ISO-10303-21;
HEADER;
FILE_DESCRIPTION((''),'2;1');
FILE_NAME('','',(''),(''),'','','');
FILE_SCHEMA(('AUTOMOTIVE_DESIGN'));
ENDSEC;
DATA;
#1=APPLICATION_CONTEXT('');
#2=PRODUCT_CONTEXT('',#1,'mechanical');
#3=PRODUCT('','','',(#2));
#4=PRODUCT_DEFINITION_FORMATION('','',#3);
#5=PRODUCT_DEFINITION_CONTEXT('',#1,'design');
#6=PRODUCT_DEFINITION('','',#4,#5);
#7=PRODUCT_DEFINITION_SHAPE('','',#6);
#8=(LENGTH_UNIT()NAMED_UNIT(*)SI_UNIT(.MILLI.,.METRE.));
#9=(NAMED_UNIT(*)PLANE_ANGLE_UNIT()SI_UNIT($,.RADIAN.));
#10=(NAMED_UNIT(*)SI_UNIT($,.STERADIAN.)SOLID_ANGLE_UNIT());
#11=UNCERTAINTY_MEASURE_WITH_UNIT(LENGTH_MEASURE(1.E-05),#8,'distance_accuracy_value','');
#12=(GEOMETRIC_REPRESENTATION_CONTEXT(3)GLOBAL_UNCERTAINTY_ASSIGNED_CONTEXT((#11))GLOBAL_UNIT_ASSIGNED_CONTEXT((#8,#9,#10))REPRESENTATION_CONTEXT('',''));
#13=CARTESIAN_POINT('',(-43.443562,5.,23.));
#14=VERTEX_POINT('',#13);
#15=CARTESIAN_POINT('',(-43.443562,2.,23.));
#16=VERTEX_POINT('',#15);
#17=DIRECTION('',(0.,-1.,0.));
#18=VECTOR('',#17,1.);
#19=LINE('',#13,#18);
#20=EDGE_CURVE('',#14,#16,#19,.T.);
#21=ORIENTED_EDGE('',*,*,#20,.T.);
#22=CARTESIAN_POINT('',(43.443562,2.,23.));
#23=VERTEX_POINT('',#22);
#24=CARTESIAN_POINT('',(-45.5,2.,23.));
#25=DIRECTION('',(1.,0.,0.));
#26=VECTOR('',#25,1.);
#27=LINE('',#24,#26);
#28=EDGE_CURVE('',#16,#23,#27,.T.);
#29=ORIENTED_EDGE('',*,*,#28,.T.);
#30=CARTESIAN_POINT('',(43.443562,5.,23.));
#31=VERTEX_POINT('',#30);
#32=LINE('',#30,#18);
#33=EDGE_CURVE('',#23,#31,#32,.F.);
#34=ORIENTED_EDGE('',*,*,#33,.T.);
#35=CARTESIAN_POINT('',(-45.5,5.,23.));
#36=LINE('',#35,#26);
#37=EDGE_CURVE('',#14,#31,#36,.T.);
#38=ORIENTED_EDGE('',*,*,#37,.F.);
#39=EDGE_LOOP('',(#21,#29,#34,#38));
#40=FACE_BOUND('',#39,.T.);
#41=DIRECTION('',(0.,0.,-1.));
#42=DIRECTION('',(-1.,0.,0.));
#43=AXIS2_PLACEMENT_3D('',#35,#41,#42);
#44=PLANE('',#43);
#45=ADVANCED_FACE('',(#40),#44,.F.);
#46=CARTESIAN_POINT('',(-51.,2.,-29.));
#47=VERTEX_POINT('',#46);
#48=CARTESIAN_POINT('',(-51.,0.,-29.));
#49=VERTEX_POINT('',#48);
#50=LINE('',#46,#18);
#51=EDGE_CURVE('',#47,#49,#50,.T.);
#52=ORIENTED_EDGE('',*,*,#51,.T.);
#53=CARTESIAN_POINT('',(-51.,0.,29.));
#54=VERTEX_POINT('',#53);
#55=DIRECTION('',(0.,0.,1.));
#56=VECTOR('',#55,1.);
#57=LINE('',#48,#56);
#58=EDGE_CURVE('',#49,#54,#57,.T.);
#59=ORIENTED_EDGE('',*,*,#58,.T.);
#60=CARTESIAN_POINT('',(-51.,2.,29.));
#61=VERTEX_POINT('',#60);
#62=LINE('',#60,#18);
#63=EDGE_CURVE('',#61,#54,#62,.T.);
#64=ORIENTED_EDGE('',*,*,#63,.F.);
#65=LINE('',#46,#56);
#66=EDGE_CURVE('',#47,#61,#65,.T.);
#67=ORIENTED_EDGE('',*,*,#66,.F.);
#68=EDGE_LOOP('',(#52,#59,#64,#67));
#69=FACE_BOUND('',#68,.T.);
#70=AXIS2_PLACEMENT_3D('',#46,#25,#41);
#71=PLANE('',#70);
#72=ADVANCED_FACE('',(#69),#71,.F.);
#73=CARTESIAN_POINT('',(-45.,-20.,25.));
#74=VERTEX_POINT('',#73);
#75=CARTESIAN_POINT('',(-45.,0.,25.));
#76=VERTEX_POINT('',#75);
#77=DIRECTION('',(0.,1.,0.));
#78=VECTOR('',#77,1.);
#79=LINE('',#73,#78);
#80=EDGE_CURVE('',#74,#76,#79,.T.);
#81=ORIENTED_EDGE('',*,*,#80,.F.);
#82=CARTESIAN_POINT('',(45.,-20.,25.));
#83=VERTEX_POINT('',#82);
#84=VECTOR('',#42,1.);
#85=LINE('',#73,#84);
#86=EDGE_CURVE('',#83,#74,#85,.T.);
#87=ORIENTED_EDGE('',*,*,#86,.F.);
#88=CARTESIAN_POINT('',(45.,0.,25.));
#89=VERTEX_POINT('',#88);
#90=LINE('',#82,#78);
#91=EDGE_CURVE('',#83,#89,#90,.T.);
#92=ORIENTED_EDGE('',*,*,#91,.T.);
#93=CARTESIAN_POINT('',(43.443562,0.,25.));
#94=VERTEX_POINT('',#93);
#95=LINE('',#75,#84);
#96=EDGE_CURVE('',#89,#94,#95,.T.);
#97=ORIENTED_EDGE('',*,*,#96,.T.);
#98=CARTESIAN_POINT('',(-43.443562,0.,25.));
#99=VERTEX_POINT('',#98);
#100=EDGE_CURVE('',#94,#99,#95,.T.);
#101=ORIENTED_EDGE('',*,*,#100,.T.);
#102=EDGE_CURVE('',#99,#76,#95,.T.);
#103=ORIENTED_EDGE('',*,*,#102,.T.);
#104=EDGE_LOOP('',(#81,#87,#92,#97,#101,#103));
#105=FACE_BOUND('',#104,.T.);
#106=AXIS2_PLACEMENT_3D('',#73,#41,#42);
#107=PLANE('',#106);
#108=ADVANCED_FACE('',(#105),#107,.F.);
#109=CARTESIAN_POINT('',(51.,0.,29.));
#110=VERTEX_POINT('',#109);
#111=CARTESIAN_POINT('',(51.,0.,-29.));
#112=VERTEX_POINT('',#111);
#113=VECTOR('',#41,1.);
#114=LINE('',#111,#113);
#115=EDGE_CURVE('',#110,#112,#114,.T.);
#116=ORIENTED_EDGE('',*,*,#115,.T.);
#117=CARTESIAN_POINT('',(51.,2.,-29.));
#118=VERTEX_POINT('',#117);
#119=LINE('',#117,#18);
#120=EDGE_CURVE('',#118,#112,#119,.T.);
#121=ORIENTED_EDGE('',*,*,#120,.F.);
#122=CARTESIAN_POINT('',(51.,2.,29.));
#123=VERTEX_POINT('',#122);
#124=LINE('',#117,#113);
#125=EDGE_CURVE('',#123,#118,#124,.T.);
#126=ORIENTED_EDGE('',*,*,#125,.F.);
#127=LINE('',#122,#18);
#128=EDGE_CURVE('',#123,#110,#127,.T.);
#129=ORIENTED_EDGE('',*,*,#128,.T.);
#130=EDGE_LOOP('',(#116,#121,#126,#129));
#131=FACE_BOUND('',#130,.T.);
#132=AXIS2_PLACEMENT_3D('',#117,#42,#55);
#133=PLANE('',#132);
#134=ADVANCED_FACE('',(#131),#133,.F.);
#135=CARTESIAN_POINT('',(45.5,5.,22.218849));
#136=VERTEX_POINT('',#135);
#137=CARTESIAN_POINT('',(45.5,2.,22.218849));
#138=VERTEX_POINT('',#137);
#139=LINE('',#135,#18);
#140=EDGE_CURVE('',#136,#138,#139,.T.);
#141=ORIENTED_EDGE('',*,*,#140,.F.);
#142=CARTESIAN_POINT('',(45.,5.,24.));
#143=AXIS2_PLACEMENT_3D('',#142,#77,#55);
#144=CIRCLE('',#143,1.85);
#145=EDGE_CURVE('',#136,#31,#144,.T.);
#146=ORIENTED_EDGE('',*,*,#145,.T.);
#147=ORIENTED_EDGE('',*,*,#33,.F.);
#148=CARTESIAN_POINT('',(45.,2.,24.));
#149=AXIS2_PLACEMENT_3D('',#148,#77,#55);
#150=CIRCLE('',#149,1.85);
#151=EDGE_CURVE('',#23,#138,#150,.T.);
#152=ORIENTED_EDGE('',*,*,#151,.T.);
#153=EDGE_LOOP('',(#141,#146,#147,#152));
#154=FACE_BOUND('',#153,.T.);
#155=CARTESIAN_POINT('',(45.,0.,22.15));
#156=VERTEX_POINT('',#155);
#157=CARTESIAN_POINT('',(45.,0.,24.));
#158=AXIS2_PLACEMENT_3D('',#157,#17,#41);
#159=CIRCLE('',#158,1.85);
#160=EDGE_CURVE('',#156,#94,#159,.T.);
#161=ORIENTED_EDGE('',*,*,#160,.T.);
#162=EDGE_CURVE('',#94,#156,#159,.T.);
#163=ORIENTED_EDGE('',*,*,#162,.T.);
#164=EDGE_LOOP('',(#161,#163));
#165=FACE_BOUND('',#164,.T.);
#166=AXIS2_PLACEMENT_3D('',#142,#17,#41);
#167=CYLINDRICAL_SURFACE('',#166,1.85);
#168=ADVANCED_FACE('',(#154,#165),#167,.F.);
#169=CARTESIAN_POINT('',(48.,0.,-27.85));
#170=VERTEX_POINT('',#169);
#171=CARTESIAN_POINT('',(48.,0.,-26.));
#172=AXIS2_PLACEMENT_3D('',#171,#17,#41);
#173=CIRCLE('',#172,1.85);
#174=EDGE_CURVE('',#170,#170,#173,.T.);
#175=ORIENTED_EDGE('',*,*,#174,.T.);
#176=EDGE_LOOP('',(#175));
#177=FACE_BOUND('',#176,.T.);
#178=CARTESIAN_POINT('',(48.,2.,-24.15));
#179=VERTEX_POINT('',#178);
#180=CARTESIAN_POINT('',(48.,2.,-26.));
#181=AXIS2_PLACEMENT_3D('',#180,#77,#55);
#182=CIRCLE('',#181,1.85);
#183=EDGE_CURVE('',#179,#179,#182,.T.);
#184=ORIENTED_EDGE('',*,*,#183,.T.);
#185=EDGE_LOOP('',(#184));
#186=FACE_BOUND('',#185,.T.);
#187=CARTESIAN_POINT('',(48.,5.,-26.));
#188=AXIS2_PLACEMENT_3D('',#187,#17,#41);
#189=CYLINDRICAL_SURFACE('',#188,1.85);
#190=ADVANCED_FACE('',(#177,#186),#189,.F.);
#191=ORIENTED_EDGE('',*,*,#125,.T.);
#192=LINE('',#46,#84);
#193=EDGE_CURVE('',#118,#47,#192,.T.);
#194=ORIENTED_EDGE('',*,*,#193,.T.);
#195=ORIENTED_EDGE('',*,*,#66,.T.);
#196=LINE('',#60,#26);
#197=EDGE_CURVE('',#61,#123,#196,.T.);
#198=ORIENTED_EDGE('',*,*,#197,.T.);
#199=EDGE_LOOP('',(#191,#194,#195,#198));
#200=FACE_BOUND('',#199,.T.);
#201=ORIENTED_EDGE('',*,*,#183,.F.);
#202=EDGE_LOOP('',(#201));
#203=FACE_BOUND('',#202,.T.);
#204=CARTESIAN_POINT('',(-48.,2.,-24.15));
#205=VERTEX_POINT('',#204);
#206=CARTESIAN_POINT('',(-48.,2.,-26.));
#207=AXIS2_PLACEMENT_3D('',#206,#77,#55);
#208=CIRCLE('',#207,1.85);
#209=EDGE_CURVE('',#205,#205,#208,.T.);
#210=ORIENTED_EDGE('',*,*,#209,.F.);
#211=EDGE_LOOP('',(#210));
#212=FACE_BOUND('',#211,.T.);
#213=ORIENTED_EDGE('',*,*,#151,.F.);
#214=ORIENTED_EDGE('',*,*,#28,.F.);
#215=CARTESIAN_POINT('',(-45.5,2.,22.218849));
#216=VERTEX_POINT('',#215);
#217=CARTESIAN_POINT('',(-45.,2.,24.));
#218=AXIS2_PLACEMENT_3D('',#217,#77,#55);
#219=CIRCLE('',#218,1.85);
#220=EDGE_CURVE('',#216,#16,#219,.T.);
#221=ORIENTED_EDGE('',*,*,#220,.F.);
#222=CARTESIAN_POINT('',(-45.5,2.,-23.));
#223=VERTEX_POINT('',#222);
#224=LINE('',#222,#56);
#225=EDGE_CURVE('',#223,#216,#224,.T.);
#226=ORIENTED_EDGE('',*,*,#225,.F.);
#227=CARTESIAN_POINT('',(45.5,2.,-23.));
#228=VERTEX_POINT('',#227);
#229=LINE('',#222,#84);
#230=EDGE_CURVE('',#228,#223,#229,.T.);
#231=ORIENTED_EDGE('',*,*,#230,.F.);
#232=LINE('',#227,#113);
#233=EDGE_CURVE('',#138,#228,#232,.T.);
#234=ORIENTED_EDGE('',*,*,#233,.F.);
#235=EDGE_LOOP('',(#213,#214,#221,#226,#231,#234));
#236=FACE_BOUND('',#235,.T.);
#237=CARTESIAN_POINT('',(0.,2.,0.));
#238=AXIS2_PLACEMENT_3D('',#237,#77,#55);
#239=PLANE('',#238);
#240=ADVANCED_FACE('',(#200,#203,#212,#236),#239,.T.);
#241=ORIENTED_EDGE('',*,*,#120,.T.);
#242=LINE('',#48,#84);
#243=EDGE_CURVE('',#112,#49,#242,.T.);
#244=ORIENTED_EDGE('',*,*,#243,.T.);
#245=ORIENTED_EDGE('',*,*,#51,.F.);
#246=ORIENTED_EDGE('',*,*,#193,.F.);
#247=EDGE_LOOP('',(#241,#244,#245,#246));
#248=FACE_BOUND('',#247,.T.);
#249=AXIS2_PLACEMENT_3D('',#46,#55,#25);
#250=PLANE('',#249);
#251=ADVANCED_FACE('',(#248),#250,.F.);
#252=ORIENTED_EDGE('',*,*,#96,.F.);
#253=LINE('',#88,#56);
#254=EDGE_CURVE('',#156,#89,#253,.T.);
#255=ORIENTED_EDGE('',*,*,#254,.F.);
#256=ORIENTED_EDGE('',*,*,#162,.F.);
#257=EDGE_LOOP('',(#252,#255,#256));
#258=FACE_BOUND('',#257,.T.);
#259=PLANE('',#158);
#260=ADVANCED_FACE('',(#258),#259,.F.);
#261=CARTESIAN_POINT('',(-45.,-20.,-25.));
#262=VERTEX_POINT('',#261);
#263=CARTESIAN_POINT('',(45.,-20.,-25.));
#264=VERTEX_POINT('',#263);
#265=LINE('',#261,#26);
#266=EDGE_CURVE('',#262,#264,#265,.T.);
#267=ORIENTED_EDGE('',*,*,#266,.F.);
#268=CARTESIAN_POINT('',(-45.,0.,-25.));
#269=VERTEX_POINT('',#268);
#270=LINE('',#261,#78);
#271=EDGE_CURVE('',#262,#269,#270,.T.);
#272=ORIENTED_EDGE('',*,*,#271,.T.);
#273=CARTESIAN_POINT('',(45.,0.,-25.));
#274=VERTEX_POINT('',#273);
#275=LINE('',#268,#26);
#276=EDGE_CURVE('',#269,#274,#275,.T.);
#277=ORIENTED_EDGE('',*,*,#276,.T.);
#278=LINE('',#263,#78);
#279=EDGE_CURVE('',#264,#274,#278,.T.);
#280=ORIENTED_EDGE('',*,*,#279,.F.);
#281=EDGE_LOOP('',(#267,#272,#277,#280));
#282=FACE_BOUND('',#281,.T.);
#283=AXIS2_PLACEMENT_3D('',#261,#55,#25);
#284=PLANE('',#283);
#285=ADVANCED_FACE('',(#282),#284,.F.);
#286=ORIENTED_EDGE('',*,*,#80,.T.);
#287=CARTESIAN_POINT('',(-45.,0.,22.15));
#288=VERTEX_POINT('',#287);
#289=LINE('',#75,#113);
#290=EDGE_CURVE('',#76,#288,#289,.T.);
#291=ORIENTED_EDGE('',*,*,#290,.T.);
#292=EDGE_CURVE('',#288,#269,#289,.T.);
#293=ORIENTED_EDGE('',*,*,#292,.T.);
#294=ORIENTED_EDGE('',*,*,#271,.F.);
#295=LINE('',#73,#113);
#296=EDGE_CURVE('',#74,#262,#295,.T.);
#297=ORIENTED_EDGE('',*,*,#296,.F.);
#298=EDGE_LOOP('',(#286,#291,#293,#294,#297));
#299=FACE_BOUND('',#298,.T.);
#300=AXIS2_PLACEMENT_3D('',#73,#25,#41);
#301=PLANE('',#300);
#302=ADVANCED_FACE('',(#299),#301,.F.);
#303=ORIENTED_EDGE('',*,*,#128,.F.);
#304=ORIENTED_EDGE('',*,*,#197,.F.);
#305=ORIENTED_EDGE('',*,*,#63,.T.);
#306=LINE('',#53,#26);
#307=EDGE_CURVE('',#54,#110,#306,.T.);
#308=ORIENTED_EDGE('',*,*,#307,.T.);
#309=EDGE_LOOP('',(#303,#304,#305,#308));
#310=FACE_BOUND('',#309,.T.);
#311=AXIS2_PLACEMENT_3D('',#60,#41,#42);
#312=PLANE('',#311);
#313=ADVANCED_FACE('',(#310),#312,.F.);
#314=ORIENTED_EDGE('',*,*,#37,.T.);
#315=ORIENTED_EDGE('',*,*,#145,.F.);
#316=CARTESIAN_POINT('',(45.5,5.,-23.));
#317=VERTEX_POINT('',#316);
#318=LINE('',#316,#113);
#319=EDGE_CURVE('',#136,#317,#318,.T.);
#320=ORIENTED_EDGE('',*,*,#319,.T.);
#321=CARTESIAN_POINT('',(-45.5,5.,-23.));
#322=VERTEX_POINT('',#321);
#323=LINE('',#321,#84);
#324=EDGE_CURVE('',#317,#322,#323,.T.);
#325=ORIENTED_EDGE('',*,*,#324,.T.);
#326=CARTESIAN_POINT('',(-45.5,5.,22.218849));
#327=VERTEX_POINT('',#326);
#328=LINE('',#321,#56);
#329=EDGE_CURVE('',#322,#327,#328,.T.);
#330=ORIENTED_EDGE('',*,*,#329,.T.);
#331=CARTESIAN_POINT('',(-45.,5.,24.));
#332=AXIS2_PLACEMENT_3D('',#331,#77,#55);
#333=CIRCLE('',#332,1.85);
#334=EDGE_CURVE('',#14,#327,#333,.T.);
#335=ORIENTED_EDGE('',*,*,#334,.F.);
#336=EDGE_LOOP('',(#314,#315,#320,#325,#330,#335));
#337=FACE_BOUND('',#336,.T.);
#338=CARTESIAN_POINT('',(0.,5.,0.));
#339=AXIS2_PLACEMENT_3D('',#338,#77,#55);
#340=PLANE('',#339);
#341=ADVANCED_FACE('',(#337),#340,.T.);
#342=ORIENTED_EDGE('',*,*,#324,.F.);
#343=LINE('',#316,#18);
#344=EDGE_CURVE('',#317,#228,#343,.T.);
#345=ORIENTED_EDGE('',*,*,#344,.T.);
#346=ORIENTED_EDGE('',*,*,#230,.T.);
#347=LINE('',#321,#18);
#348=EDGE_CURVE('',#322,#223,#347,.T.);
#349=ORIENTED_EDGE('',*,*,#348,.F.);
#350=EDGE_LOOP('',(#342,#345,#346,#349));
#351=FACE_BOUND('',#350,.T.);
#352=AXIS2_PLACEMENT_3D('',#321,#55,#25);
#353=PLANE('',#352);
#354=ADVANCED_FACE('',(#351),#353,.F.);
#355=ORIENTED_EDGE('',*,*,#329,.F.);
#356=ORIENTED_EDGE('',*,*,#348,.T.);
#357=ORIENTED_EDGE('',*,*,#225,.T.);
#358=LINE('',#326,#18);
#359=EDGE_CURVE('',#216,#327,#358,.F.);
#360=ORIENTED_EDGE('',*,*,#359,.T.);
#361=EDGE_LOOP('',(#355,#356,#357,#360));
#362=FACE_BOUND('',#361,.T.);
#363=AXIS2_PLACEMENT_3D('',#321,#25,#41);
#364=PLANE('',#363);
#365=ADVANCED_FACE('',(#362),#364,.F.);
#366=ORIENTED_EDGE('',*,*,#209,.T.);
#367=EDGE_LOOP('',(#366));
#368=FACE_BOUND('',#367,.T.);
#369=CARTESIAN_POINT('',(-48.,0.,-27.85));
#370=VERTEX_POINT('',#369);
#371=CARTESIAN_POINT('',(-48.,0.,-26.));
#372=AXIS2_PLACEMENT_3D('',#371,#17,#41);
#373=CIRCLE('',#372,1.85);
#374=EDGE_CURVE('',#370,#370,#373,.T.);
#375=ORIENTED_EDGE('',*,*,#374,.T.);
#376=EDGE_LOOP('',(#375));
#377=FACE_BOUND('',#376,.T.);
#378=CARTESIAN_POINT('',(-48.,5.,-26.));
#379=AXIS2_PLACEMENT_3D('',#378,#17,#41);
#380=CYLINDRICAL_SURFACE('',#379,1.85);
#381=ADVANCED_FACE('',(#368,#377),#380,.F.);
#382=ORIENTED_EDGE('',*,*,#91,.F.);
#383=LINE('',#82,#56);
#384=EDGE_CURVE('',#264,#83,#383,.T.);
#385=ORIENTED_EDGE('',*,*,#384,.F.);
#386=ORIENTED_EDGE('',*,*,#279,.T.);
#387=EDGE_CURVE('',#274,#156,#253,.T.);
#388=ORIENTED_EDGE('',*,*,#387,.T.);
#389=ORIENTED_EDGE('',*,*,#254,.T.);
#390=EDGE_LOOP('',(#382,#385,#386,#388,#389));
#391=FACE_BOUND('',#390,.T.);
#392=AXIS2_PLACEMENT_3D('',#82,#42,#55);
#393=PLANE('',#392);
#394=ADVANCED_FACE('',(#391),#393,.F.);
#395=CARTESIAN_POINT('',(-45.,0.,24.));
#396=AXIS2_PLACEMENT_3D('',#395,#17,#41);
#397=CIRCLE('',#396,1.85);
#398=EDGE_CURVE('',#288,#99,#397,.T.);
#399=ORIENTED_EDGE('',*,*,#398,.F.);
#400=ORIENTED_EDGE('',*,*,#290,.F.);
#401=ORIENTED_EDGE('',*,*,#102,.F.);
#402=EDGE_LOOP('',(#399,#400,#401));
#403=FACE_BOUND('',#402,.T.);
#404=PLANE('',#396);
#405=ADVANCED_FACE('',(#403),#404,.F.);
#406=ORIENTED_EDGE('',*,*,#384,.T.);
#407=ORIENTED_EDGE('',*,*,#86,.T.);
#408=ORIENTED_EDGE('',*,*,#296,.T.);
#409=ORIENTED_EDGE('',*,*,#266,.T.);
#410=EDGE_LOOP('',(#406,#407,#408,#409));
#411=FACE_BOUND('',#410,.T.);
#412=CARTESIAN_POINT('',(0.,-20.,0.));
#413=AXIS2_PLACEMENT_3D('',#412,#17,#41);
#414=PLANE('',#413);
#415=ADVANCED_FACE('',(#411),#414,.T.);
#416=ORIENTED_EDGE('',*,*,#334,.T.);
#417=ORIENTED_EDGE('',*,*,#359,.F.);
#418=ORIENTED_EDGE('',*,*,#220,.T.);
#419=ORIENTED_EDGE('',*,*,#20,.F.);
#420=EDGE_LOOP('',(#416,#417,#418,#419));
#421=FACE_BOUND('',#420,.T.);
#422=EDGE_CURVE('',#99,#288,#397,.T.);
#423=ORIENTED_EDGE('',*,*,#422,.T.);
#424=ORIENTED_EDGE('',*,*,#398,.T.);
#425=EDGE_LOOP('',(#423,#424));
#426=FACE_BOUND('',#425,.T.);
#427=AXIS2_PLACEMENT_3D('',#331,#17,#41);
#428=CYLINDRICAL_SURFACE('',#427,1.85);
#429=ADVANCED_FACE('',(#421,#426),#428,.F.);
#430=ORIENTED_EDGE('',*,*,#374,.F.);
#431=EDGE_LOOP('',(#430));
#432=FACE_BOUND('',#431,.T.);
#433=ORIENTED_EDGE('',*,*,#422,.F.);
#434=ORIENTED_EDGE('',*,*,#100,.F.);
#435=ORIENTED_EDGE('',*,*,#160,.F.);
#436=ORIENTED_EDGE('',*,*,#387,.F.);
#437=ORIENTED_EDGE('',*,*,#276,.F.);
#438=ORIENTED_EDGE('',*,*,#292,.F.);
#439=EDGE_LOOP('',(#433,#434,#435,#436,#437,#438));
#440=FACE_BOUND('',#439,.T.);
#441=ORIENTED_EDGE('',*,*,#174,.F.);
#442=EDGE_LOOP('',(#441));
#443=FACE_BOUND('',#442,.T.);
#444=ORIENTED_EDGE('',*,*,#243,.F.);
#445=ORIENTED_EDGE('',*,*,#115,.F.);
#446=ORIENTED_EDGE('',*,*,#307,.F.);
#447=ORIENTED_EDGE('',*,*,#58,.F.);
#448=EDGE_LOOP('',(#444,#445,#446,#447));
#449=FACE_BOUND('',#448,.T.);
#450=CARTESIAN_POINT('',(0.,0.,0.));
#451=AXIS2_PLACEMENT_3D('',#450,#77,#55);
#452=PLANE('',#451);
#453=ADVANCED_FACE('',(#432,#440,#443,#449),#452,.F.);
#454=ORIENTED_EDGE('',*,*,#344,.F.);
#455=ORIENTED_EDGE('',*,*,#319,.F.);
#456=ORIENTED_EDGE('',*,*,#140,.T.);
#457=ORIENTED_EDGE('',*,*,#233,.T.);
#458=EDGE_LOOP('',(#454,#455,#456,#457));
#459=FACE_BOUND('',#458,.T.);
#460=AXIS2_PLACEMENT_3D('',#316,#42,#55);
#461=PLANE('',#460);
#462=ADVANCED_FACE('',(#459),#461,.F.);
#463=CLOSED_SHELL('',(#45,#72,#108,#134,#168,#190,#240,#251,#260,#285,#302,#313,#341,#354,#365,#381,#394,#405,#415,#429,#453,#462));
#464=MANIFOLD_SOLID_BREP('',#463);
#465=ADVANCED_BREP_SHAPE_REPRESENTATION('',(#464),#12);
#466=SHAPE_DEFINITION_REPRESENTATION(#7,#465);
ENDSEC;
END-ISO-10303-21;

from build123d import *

# Parameters (mm, degrees)
CROQUIS1_W              = 102
CROQUIS1_H              = 58
SALIENTE_EXTRUIR1_DEPTH = 2
CROQUIS2_W              = 91
CROQUIS2_H              = 46
SALIENTE_EXTRUIR2_DEPTH = 3
CROQUIS3_W              = 90
CROQUIS3_H              = 50
SALIENTE_EXTRUIR3_DEPTH = 20
CROQUIS4_R              = 1.85
CORTAR_EXTRUIR1_DEPTH   = 62.983868869


with BuildPart() as part:
    # Croquis1 → Saliente-Extruir1 (new body)
    with BuildSketch(Plane(origin=(0, 0, 0), x_dir=(1, 0, 0), z_dir=(0, 1, 0))):
        Rectangle(CROQUIS1_W, CROQUIS1_H)
    extrude(amount=SALIENTE_EXTRUIR1_DEPTH)

    # Croquis2 → Saliente-Extruir2 (add)
    with BuildSketch(Plane(origin=(0, 2, 0), x_dir=(1, 0, 0), z_dir=(0, 1, 0))):
        Rectangle(CROQUIS2_W, CROQUIS2_H)
    extrude(amount=SALIENTE_EXTRUIR2_DEPTH)

    # Croquis3 → Saliente-Extruir3 (add)
    with BuildSketch(Plane.XZ):
        Rectangle(CROQUIS3_W, CROQUIS3_H)
    extrude(amount=SALIENTE_EXTRUIR3_DEPTH)

    # Croquis4 → Cortar-Extruir1 (cut, through all)
    with BuildSketch(Plane.XZ):
        with Locations(Location((-45, 24, 0), (0, 0, 270))):
            Circle(CROQUIS4_R)
        with Locations(Location((45, 24, 0), (0, 0, 270))):
            Circle(CROQUIS4_R)
        with Locations(Location((-48, -26, 0), (0, 0, 270))):
            Circle(CROQUIS4_R)
        with Locations(Location((48, -26, 0), (0, 0, 270))):
            Circle(CROQUIS4_R)
    extrude(amount=-CORTAR_EXTRUIR1_DEPTH, mode=Mode.SUBTRACT)


solid = part.part
